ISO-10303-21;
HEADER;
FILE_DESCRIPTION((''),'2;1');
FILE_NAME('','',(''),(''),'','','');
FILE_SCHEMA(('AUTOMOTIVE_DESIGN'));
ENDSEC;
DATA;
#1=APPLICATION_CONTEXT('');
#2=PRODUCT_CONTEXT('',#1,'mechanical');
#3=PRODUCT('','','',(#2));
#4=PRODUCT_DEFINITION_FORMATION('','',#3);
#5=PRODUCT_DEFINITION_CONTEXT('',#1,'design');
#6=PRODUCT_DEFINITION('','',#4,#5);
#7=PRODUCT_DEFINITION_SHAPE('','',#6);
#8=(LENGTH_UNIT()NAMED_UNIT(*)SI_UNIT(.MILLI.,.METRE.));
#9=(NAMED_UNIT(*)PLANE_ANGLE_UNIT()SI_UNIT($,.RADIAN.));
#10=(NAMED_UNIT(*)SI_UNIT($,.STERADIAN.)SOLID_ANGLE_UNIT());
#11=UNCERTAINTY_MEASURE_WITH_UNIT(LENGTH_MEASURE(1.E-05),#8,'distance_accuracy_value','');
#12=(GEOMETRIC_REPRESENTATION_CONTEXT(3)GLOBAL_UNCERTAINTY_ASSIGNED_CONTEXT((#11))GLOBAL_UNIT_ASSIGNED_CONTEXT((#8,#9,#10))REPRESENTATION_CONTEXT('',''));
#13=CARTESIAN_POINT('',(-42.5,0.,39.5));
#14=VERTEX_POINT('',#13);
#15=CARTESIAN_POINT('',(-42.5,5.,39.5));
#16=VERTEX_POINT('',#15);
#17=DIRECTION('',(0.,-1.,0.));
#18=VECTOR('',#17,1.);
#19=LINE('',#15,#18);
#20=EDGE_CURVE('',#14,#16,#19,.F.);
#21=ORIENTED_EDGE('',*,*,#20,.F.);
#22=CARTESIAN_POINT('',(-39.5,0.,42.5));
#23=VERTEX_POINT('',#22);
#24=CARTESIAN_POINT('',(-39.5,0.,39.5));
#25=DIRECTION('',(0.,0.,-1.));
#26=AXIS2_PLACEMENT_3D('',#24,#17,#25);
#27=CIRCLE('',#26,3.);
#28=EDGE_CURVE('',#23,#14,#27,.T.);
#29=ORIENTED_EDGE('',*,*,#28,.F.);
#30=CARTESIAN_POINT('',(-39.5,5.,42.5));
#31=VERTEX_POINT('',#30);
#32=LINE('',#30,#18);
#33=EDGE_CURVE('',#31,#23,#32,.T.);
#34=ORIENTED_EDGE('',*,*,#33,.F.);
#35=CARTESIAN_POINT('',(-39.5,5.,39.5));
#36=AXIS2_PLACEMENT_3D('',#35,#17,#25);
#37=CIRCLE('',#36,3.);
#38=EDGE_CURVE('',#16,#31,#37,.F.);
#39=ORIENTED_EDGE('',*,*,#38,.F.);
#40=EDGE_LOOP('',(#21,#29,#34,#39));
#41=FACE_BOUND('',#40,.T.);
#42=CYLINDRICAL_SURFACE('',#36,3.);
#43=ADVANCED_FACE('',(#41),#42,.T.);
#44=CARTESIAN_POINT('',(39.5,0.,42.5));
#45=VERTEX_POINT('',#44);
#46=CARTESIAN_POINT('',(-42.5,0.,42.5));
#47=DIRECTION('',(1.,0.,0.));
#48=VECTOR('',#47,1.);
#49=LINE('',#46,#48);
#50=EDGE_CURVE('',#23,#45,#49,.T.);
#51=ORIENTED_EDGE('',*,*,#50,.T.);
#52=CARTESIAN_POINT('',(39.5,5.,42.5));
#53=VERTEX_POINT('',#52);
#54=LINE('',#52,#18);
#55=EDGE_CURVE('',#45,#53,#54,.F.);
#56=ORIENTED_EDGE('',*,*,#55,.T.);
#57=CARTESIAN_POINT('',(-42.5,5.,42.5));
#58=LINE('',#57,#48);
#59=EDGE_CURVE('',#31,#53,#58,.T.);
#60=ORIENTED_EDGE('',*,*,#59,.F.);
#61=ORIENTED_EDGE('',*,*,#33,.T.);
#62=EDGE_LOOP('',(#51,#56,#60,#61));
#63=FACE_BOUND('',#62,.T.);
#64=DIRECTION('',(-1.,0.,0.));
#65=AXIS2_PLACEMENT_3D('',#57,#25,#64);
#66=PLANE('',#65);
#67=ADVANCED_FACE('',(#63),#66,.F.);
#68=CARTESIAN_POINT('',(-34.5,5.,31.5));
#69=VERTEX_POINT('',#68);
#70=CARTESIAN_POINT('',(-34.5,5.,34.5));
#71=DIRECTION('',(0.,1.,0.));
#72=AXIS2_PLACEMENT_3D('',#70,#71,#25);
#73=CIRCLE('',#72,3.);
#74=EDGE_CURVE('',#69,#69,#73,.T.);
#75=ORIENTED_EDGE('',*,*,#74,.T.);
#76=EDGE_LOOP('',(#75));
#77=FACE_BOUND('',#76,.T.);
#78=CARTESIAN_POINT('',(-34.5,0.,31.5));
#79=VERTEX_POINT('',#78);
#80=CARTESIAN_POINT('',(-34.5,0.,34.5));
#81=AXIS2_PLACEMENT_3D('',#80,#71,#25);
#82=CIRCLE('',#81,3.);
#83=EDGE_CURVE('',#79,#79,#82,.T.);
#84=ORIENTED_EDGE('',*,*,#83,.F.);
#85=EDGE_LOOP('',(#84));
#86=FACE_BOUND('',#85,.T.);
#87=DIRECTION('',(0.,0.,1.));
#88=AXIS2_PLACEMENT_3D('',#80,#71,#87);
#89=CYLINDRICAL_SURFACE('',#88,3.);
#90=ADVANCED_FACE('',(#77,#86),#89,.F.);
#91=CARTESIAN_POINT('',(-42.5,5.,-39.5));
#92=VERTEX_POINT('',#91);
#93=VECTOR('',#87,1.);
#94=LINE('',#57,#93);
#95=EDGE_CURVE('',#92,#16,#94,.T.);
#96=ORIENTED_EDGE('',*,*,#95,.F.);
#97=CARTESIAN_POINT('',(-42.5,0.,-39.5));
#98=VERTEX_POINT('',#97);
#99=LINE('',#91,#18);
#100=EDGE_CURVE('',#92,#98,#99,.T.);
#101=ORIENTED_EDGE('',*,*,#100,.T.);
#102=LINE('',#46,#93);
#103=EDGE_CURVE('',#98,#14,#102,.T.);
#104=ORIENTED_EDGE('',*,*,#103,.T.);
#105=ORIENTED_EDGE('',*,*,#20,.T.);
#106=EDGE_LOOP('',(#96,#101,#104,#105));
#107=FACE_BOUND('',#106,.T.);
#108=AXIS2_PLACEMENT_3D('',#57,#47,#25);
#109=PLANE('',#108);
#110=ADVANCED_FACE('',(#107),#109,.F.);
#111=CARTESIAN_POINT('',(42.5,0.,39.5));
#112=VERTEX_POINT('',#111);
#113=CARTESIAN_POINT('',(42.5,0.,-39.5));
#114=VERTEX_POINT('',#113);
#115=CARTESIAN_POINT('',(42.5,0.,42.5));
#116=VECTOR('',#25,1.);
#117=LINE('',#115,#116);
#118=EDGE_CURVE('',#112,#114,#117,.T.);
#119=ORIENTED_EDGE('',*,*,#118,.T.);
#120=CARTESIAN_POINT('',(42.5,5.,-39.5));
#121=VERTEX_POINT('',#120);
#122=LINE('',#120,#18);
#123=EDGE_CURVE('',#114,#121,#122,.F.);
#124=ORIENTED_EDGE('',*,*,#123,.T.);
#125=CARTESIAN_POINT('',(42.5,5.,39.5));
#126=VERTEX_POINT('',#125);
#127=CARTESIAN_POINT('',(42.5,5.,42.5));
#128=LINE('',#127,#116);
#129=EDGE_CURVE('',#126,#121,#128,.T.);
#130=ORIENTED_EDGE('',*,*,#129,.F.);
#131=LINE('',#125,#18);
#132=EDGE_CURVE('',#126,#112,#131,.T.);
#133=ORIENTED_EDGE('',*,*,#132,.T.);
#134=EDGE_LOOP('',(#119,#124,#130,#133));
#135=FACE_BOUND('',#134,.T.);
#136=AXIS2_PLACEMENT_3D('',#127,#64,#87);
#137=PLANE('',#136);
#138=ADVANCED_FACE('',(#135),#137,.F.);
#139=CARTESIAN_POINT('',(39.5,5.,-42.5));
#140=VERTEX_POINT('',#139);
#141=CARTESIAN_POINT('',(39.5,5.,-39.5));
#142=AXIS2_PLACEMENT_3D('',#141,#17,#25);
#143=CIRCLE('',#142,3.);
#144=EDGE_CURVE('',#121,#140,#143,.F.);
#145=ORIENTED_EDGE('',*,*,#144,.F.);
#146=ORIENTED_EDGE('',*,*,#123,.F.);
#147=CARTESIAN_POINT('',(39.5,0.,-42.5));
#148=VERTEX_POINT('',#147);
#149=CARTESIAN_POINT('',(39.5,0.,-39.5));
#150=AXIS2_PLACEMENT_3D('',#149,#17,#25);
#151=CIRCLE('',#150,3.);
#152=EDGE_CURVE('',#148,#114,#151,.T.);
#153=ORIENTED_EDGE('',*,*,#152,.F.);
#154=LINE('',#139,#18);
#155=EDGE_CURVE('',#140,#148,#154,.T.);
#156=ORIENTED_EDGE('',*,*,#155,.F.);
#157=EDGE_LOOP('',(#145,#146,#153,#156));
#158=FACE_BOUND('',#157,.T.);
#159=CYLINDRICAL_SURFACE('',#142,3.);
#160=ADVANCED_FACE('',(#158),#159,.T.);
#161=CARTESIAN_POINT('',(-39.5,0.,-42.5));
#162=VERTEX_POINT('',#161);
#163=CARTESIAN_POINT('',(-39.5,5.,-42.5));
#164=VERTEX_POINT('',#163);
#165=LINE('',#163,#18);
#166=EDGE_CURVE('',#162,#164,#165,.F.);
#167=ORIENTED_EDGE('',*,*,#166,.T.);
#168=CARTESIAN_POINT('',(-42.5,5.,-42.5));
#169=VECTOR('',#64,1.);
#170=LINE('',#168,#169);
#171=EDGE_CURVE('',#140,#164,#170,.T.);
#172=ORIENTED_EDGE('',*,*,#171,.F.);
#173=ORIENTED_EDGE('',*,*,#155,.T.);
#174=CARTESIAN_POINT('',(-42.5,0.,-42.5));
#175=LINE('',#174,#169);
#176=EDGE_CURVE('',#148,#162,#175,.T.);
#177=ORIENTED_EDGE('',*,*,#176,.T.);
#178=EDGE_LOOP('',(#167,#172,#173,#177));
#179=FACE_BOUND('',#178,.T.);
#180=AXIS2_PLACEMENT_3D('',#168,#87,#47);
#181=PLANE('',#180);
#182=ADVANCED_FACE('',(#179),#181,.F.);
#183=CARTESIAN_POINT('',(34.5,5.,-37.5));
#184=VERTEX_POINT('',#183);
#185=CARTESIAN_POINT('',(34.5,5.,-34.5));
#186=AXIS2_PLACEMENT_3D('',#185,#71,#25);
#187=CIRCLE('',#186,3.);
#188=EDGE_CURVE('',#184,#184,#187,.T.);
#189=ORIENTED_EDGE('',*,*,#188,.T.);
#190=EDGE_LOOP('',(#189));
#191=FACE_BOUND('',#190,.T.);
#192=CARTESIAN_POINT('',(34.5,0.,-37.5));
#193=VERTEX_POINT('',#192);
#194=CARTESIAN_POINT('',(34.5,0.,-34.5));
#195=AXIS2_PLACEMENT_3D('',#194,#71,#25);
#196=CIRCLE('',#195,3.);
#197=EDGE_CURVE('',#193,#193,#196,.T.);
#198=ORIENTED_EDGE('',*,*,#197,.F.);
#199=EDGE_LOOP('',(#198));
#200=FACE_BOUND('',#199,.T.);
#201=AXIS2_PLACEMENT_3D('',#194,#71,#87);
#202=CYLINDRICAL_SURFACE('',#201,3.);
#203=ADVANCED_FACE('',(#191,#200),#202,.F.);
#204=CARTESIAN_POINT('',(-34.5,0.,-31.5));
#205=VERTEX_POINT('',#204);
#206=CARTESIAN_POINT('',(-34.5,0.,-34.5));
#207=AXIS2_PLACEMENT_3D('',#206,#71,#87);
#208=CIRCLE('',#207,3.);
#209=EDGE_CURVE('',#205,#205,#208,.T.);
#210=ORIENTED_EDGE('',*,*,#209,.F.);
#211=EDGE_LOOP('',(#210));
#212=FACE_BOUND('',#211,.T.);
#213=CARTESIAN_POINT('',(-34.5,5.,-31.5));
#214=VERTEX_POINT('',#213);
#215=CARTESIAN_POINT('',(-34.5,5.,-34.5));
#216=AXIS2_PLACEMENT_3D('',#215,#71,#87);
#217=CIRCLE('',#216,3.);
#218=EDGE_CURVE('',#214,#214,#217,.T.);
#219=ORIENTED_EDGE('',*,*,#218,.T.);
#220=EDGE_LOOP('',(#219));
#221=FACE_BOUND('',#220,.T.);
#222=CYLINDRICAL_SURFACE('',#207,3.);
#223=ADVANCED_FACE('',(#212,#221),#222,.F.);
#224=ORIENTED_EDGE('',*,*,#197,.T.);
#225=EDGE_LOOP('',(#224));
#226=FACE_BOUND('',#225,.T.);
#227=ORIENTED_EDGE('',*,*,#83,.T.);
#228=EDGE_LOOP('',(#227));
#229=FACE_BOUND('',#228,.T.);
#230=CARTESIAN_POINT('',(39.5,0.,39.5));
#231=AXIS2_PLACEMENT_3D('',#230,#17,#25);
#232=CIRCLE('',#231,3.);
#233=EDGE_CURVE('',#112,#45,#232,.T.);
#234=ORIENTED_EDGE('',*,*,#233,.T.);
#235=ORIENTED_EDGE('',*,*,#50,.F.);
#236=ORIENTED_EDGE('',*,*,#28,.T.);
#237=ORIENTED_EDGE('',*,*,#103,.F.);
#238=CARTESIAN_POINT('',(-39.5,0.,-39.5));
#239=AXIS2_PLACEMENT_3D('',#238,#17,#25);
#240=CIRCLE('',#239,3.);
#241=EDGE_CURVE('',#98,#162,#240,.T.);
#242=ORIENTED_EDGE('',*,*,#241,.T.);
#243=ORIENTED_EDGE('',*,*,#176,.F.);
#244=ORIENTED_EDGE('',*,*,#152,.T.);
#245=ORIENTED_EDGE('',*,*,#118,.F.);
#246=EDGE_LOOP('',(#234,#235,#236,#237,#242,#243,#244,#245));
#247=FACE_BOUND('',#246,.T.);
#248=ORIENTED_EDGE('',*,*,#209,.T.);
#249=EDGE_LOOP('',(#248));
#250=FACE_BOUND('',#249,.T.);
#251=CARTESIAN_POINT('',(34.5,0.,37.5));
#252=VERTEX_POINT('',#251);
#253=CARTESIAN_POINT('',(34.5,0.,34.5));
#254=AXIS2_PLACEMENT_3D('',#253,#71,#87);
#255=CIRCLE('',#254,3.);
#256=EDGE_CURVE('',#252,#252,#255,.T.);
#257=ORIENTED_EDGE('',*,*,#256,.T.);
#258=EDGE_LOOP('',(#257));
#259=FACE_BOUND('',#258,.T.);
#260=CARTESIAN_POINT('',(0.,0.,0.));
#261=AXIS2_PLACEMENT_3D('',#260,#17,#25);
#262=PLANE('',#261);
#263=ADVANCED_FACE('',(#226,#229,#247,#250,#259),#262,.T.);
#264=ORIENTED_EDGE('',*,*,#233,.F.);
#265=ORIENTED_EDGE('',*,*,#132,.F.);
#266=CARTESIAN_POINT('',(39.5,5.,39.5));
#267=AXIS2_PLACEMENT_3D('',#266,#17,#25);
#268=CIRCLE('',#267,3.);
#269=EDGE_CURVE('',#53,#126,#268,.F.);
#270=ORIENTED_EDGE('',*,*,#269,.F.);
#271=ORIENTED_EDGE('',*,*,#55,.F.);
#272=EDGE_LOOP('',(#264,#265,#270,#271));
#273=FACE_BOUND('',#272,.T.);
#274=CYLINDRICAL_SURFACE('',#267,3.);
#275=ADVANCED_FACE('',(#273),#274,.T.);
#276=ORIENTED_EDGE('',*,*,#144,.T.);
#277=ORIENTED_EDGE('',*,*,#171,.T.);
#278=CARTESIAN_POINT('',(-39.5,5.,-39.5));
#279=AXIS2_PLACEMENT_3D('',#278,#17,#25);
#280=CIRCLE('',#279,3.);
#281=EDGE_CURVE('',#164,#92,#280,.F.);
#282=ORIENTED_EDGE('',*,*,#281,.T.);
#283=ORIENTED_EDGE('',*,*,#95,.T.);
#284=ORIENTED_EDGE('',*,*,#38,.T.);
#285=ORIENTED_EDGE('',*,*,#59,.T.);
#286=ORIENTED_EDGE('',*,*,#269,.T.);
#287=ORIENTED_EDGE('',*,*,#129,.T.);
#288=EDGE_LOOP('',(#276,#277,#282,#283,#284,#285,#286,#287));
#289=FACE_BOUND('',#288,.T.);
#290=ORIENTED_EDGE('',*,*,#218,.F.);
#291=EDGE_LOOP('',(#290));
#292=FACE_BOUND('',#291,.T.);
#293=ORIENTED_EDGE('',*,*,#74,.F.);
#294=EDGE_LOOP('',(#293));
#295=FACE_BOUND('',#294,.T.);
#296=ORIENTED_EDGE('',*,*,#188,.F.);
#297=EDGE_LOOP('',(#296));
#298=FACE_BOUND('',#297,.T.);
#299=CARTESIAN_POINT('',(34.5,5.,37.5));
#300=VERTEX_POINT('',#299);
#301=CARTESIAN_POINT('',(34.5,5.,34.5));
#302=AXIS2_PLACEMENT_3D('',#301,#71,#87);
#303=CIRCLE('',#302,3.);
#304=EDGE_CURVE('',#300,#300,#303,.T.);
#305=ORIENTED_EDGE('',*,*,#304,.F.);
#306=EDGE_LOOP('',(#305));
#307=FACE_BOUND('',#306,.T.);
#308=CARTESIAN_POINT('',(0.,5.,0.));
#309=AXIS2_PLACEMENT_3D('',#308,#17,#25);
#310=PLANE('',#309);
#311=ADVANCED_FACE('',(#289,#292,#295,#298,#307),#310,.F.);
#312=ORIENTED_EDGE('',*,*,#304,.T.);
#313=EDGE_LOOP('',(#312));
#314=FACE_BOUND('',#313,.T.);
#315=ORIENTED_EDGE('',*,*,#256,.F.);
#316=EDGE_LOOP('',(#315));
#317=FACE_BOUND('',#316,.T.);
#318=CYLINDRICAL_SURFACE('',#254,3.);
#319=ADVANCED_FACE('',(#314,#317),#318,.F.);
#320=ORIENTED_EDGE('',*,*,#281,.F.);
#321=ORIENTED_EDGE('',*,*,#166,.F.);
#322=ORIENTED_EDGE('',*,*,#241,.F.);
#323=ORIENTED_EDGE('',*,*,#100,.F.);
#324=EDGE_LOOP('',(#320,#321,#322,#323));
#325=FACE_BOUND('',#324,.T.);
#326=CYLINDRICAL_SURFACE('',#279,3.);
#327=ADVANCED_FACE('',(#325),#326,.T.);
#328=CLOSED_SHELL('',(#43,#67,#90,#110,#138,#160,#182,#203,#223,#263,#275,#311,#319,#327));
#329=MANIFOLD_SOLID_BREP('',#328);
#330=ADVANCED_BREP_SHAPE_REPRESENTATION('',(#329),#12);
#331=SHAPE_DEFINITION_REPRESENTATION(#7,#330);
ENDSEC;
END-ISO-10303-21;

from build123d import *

# Parameters (mm, degrees)
SKETCH1_W           = 85
SKETCH1_H           = 85
BOSS_EXTRUDE1_DEPTH = 5
FILLET1_R           = 3
SKETCH2_R           = 3
CUT_EXTRUDE1_DEPTH  = 6


with BuildPart() as part:
    # Sketch1 → Boss-Extrude1 (new body)
    with BuildSketch(Plane(origin=(0, 0, 0), x_dir=(1, 0, 0), z_dir=(0, 1, 0))):
        Rectangle(SKETCH1_W, SKETCH1_H)
    extrude(amount=BOSS_EXTRUDE1_DEPTH)

    # Fillet1
    fillet1_edges = [part.edges().sort_by_distance(p)[0] for p in [
        (42.5, 2.5, 42.5),
        (-42.5, 2.5, 42.5),
        (-42.5, 2.5, -42.5),
        (42.5, 2.5, -42.5),
    ]]
    fillet(fillet1_edges, radius=FILLET1_R)

    # Sketch2 → Cut-Extrude1 (cut, through all)
    with BuildSketch(Plane(origin=(0, 5, 0), x_dir=(1, 0, 0), z_dir=(0, 1, 0))):
        with Locations((-34.5, 34.5)):
            Circle(SKETCH2_R)
        with Locations((-34.5, -34.5)):
            Circle(SKETCH2_R)
        with Locations((34.5, -34.5)):
            Circle(SKETCH2_R)
        with Locations((34.5, 34.5)):
            Circle(SKETCH2_R)
    extrude(amount=-CUT_EXTRUDE1_DEPTH, mode=Mode.SUBTRACT)


solid = part.part
